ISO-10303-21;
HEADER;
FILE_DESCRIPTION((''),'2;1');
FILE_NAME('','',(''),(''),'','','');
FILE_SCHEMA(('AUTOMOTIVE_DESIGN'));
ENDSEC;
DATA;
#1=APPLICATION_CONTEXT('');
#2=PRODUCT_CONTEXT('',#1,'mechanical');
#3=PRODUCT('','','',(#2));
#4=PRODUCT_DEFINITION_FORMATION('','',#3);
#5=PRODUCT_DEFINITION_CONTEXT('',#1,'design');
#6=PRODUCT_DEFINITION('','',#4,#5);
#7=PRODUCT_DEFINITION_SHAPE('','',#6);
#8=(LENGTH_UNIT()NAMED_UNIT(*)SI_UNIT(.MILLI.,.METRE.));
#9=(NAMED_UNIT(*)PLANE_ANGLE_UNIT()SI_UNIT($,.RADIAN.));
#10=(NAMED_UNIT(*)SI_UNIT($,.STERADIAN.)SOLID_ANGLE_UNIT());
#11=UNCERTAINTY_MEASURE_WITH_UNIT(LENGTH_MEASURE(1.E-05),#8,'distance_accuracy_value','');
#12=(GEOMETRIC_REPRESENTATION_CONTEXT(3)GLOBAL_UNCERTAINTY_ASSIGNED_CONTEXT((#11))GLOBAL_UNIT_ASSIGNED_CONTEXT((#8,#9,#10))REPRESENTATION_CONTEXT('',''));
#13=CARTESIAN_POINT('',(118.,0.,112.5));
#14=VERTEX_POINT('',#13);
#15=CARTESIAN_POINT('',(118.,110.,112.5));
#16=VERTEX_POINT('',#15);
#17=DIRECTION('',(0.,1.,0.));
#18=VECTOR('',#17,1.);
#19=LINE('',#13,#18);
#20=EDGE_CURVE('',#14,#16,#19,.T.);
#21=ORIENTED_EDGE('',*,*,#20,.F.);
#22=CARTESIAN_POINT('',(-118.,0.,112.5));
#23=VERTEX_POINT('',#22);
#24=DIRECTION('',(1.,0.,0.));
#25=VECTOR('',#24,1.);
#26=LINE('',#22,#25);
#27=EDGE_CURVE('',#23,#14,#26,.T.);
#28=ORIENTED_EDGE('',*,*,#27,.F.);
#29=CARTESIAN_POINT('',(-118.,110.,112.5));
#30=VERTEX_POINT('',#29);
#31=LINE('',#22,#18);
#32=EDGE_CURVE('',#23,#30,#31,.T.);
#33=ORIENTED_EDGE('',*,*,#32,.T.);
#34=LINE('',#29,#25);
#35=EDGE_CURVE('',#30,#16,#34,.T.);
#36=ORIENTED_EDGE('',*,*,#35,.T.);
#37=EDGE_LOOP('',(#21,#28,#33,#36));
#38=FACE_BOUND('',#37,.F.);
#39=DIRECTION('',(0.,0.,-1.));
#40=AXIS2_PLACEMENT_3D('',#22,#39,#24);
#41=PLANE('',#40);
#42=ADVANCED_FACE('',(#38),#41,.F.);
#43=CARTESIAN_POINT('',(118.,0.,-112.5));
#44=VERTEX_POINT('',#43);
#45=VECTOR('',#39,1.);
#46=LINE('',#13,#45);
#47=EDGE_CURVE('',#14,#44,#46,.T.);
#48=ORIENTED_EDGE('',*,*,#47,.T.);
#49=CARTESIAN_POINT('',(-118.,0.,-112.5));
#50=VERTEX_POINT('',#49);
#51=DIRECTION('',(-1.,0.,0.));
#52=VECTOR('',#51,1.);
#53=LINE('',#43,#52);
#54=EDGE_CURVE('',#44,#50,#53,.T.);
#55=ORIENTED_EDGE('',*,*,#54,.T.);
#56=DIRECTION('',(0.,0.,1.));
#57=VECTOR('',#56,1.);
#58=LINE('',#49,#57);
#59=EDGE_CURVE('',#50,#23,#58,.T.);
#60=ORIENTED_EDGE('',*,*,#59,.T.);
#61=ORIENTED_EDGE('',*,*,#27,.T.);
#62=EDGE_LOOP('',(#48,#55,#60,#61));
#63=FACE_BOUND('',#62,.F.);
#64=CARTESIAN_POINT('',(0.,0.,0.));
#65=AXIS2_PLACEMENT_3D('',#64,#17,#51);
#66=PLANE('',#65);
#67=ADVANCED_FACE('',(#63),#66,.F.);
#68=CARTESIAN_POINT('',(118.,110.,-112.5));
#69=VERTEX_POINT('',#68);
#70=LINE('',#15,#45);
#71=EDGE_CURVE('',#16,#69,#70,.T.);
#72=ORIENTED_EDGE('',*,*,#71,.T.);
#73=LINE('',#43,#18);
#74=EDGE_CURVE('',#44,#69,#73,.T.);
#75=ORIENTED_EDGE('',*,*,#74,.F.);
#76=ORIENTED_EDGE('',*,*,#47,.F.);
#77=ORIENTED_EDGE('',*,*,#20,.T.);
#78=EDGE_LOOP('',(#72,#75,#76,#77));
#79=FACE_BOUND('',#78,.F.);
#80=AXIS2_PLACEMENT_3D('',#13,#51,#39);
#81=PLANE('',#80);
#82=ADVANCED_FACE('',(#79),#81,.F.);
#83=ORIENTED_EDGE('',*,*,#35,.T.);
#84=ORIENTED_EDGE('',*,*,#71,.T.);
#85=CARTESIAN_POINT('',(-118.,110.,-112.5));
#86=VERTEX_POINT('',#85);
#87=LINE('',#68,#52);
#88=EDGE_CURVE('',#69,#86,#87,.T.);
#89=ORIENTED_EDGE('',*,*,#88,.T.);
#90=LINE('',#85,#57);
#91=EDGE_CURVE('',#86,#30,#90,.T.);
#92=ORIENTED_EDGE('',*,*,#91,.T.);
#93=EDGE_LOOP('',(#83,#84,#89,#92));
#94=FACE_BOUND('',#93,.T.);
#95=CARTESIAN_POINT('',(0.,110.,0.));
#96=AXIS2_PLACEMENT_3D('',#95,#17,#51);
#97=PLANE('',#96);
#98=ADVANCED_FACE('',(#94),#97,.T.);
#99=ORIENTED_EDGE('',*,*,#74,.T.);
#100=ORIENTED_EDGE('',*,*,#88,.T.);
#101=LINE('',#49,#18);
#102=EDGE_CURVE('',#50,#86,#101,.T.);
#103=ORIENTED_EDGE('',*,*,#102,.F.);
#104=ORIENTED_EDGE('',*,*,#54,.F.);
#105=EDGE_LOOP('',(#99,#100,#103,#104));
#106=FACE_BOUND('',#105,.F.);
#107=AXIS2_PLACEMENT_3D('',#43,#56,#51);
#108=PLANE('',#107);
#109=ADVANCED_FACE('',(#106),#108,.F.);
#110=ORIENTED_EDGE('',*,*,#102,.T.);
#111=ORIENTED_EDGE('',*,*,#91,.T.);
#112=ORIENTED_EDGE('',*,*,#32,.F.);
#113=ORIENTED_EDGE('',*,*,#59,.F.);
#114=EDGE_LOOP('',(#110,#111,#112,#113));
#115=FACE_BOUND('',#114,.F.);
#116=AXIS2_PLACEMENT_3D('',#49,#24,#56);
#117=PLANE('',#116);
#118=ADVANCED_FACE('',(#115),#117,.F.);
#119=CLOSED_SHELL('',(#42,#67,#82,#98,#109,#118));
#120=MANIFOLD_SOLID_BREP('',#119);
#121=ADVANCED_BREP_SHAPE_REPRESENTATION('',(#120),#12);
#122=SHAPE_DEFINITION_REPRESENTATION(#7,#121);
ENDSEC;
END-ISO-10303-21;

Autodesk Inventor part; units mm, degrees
ref_plane "YZ Plane" through (0, 0, 0) normal (1, 0, 0) x (0, 1, 0)
ref_plane "XZ Plane" through (0, 0, 0) normal (0, 1, 0) x (-1, 0, 0)
ref_plane "XY Plane" through (0, 0, 0) normal (0, 0, 1) x (1, 0, 0)
sketch "Sketch1" plane through (0, 0, 0) normal (0, 1, 0) x (-1, 0, 0)
  line L0 (118, 112.5) -> (-118, 112.5)
  line L1 (-118, 112.5) -> (-118, -112.5)
  line L2 (-118, -112.5) -> (118, -112.5)
  line L3 (118, -112.5) -> (118, 112.5)
  point P0 (0, 0)
  point P1 (118, 0)
  point P2 (0, -112.5)
  dimension "d0" = 225
  dimension "d1" = 236
extrude "Extrusion1" add sketch "Sketch1" along normal blind 110
properties part number "BLANK-BC-10009" material "Aço Carbono"
